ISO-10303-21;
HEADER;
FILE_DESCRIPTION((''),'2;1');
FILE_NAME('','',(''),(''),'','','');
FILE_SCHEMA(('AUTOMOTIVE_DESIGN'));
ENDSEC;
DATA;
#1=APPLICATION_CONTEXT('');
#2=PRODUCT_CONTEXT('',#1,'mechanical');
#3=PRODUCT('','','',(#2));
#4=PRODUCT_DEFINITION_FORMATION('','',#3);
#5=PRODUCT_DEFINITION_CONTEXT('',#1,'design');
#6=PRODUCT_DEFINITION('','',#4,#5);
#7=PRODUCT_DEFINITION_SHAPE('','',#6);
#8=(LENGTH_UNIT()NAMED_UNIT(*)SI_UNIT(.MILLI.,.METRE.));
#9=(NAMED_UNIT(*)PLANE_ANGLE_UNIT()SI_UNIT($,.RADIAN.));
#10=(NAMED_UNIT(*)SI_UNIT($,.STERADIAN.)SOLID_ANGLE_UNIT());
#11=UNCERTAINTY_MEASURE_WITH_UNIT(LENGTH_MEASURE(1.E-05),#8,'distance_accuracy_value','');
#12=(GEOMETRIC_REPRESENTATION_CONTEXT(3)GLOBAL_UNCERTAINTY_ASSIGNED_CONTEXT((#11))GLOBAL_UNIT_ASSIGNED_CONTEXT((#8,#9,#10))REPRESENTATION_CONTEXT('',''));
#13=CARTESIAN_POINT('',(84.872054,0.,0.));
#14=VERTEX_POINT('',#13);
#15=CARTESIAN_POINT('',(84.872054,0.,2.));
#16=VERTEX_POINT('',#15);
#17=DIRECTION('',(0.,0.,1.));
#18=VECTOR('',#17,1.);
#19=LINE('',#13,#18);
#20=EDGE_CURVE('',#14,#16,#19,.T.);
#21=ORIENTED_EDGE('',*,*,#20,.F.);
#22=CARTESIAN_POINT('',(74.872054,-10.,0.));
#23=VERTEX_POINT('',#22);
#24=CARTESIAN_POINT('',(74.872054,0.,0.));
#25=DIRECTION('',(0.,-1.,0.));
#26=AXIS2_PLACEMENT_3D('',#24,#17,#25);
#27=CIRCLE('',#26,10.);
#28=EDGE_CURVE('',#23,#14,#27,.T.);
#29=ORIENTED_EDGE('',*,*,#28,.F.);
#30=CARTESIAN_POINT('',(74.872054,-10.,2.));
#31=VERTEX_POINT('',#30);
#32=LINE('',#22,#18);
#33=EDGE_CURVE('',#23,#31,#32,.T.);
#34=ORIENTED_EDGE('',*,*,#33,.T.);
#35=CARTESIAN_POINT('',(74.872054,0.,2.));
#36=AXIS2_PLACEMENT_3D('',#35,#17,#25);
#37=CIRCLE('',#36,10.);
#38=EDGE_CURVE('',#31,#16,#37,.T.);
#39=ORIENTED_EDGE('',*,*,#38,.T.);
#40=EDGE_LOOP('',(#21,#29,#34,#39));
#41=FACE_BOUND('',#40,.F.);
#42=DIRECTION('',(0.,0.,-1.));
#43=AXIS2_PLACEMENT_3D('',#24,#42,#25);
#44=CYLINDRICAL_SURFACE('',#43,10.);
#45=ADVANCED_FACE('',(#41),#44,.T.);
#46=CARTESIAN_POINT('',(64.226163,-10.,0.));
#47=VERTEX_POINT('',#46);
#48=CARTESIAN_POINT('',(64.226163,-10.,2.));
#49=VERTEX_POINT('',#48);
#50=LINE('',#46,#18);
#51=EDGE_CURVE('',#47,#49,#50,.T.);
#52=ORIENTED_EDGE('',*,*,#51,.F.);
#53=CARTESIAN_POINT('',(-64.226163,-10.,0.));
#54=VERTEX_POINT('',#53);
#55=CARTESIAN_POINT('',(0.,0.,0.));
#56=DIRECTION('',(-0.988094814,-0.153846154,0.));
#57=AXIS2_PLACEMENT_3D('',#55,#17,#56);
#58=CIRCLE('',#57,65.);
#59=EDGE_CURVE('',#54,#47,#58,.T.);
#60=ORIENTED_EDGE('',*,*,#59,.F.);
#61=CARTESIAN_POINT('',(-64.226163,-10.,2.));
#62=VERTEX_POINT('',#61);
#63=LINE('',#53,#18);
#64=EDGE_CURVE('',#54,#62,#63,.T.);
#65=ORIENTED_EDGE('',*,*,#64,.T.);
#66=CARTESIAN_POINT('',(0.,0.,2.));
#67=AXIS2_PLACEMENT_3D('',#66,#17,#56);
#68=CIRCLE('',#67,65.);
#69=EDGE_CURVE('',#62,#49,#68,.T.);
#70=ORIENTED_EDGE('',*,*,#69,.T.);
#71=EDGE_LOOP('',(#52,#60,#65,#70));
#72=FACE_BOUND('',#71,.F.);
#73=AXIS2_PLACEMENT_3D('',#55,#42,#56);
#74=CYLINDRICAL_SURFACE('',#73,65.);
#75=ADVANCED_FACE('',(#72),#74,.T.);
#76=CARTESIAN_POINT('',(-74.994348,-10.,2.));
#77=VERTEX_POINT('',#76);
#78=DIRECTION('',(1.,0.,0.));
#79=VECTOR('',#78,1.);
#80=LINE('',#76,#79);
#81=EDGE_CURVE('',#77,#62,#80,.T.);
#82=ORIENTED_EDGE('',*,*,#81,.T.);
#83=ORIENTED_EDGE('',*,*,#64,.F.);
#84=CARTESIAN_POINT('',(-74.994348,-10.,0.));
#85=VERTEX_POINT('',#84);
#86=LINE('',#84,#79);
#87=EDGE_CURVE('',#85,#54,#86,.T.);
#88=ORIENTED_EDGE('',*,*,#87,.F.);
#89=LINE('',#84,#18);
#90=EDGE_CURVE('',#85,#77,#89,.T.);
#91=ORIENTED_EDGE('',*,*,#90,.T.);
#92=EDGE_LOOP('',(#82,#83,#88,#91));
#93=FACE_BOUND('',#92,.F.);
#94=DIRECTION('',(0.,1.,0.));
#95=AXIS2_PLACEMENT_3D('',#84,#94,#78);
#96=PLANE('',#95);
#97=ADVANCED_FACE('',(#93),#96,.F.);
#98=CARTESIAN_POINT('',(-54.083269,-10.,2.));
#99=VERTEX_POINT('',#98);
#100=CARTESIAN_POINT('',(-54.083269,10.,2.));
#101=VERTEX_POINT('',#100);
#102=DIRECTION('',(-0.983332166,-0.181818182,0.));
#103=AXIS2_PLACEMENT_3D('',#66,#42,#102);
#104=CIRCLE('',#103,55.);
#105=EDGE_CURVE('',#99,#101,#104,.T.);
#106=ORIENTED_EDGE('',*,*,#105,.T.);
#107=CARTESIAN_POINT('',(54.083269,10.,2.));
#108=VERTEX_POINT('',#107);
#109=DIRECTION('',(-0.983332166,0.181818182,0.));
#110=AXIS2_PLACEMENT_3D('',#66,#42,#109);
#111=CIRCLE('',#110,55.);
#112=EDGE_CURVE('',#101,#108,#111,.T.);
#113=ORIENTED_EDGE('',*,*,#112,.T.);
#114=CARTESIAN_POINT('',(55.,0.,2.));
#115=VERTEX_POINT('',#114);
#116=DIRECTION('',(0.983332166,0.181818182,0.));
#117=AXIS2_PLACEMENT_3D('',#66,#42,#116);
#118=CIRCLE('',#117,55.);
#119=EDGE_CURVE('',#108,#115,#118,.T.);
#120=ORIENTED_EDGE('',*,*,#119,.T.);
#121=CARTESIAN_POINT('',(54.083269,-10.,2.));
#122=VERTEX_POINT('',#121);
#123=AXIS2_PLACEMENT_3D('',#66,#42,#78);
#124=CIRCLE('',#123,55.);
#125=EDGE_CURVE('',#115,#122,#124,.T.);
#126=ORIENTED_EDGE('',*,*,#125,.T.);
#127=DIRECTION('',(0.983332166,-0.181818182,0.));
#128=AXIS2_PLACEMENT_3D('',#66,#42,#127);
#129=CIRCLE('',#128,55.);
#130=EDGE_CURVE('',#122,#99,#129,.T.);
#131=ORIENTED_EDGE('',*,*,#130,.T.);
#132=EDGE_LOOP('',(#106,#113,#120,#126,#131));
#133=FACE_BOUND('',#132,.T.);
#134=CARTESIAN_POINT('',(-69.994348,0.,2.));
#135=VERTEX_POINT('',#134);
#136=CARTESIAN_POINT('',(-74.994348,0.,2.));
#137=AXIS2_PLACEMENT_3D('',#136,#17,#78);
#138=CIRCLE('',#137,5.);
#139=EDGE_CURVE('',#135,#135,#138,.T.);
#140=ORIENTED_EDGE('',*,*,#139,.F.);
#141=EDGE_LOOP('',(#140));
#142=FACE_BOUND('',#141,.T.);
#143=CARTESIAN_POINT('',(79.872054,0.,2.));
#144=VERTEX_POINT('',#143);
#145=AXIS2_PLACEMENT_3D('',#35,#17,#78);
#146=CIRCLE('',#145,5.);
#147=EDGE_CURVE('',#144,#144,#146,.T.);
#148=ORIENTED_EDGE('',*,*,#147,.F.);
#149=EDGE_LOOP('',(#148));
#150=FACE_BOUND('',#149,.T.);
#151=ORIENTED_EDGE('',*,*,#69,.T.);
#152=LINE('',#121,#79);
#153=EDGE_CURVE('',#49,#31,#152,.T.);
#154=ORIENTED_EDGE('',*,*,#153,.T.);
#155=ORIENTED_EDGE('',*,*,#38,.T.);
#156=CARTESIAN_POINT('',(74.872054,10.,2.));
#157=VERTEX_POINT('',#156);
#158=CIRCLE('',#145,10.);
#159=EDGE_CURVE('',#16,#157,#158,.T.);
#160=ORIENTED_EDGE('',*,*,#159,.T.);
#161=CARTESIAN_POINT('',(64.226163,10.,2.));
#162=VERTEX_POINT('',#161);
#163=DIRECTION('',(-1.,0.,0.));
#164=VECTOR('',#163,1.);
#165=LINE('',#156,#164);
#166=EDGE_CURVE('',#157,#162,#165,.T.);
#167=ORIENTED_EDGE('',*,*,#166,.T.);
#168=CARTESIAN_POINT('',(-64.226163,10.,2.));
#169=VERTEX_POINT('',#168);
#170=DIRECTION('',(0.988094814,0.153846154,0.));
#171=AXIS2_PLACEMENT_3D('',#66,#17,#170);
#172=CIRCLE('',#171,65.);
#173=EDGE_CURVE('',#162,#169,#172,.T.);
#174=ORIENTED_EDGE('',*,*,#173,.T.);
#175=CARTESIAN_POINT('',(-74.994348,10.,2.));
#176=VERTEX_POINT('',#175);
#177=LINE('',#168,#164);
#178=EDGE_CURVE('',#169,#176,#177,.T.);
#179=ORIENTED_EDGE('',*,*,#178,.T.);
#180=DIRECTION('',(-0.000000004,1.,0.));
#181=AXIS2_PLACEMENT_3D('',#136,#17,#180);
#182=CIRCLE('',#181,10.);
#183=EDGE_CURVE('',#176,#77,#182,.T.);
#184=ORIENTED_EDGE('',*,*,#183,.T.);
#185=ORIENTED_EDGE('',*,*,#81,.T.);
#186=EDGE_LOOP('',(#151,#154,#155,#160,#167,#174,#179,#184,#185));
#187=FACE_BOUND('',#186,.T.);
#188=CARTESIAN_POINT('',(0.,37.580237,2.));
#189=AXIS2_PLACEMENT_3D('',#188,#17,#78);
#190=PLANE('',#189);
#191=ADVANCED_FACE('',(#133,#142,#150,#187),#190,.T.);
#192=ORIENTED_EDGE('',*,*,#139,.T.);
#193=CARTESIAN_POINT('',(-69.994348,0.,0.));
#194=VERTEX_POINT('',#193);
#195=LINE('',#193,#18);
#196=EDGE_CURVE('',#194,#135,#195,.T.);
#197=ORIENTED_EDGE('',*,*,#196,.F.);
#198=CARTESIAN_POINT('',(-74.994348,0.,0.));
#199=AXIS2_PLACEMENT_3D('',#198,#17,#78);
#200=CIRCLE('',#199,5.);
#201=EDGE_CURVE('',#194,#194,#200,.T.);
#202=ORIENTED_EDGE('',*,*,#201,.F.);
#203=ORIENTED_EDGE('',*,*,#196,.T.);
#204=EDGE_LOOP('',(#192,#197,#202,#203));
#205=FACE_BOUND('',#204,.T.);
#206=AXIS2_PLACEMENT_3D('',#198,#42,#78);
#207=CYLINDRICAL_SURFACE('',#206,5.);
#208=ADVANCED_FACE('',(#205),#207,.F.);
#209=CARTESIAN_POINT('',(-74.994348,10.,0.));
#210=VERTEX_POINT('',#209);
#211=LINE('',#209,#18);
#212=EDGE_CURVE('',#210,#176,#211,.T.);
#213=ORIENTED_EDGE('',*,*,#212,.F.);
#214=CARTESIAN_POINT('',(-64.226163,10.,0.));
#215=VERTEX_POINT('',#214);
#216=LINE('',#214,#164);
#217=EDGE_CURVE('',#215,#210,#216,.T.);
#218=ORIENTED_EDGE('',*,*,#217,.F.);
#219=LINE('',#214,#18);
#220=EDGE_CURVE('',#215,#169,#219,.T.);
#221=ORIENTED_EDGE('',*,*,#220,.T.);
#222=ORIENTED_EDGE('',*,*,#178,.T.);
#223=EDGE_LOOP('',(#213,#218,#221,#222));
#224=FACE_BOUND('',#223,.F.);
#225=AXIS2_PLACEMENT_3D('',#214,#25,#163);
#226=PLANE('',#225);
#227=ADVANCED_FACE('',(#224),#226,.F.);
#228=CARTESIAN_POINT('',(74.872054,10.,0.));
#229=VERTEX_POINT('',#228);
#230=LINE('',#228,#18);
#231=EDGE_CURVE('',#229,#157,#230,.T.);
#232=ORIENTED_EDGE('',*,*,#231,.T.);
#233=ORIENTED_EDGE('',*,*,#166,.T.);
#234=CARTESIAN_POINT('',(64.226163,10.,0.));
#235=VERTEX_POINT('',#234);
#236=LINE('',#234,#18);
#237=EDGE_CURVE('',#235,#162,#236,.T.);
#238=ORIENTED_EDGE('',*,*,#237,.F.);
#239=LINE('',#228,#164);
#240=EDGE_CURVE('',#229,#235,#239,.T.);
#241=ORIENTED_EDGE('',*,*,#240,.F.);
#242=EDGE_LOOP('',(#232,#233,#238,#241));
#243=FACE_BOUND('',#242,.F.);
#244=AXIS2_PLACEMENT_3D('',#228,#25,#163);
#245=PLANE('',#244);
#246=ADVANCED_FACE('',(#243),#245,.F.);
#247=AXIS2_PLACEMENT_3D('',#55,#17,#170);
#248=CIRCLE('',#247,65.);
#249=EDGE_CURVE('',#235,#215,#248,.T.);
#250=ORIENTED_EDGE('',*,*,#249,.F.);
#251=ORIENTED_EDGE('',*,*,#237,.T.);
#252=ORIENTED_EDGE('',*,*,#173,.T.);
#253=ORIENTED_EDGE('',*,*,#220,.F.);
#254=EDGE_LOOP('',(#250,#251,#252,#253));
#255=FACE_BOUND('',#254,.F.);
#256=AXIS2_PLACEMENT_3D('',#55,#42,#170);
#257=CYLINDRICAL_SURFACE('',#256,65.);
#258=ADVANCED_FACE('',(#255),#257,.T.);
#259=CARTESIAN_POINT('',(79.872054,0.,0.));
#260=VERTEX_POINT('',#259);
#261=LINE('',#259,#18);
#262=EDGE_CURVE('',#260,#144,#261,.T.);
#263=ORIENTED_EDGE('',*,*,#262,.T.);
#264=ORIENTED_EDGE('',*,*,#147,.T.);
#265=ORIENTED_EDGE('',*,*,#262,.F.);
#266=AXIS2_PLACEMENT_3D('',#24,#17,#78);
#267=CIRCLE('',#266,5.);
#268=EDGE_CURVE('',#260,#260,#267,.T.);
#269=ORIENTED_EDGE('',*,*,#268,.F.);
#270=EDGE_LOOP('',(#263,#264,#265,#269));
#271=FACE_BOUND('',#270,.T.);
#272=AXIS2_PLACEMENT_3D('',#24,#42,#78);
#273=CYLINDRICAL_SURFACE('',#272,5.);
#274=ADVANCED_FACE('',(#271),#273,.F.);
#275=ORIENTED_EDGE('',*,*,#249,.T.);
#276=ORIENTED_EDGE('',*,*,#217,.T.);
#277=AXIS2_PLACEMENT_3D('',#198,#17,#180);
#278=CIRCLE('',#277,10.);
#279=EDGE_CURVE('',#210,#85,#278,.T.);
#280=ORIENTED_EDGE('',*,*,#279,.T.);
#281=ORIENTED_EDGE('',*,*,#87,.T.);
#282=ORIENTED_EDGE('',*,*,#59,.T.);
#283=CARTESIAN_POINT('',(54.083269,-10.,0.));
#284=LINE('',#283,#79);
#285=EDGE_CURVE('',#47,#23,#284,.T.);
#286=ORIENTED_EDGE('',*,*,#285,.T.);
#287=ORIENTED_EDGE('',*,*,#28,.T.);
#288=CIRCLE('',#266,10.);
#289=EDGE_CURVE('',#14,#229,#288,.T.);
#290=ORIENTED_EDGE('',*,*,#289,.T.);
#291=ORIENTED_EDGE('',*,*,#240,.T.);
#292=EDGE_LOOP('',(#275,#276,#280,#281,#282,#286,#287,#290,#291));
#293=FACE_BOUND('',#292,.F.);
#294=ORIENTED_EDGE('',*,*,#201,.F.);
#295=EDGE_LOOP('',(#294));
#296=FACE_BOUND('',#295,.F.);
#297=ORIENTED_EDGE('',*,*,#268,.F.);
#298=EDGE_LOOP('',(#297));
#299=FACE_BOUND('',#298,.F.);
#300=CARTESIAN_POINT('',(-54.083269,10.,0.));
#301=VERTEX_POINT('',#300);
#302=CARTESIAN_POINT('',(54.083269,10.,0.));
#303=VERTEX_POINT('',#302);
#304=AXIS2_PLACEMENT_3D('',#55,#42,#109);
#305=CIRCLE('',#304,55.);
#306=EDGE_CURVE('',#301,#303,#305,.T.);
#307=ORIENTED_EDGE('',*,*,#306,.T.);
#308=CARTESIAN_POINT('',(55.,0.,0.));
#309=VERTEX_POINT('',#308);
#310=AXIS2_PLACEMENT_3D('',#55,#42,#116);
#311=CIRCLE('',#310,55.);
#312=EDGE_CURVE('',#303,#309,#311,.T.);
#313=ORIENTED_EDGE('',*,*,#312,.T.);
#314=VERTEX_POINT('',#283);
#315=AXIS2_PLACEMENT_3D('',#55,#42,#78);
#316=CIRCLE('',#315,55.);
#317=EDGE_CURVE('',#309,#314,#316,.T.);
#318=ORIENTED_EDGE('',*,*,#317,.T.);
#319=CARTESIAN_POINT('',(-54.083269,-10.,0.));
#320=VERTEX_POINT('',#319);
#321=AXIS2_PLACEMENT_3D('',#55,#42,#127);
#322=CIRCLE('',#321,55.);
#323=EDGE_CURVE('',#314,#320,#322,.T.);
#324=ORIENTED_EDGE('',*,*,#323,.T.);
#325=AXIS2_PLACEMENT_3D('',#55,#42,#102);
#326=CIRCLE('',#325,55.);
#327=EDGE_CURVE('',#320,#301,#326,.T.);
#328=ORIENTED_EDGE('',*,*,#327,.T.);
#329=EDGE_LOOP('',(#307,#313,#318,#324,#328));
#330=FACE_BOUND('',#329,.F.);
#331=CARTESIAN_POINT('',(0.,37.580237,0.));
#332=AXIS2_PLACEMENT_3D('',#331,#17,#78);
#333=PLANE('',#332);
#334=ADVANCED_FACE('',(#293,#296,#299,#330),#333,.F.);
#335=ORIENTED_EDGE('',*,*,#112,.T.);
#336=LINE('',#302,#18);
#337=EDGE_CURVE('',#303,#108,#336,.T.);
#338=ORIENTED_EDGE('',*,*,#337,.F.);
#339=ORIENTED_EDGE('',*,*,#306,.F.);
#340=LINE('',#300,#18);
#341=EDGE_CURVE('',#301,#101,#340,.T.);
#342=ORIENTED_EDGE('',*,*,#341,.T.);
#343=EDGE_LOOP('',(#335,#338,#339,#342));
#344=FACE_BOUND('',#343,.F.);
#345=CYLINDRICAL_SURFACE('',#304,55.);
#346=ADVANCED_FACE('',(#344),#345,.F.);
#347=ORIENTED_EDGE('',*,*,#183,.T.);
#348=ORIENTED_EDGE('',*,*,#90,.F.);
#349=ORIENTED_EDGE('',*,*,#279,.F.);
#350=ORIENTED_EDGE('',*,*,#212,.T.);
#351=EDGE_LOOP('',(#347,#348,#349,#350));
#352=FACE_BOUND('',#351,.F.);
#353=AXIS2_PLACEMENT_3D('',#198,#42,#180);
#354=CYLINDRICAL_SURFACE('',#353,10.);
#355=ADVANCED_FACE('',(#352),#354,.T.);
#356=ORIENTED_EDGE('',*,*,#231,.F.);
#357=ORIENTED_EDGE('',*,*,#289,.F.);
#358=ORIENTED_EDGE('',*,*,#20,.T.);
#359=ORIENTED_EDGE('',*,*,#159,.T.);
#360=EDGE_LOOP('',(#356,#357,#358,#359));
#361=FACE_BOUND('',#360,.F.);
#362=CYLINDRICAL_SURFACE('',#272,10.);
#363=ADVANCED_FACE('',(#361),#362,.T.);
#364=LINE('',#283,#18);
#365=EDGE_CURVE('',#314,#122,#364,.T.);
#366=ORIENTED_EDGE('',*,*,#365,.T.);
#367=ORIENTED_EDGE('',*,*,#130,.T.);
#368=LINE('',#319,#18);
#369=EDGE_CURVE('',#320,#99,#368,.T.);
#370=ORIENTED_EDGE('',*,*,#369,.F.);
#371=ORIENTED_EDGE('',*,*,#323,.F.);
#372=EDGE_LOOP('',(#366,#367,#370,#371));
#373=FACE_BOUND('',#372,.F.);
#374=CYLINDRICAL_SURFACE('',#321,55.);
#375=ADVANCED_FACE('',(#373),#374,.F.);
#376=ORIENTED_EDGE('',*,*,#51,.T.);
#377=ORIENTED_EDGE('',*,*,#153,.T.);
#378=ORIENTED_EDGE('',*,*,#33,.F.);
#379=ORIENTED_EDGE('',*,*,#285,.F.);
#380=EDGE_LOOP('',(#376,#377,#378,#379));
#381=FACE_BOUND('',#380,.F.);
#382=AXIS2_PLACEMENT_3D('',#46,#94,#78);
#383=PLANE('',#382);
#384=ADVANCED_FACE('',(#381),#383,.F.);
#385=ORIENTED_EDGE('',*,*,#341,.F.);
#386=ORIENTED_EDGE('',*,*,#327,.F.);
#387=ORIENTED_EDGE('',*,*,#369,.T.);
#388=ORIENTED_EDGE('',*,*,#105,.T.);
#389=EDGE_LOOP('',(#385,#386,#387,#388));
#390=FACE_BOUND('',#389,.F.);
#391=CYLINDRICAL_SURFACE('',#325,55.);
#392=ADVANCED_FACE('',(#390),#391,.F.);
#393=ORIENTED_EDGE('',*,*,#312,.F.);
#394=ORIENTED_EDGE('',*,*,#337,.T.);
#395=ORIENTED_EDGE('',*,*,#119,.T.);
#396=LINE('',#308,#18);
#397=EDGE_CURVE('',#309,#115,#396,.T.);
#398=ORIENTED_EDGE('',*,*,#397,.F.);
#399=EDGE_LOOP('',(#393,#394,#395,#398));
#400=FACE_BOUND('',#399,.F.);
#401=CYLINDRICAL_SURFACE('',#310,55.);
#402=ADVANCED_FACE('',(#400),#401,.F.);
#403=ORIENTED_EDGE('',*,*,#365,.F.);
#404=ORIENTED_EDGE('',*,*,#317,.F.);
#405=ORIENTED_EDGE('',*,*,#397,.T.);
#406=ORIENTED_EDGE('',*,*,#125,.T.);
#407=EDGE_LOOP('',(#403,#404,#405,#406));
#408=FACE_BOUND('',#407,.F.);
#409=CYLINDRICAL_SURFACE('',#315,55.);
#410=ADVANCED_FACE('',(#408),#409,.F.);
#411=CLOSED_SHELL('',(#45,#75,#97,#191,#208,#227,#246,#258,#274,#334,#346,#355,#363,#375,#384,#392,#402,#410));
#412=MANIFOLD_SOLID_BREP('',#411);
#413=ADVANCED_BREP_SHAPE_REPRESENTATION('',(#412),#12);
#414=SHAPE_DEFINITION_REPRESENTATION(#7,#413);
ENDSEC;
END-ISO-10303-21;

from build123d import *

# Parameters (mm, degrees)
F0_R     = 5
F1_DEPTH = 2


with BuildPart() as f1:
    # F0 (on Top) → F1 (new body)
    with BuildSketch(Plane.XY):
        with BuildLine():
            Line((54.083269132, 10), (64.2261628933, 10))
            ThreePointArc((64.2261628933, 10), (0, 65), (-64.2261628933, 10))
            Line((-64.2261628933, 10), (-54.083269132, 10))
            ThreePointArc((-54.083269132, 10), (0, 55), (54.083269132, 10))
        make_face()
        with BuildLine():
            ThreePointArc((64.9830207232, -1.4856034775), (64.8720541596, 0), (64.9830207232, 1.4856034775))
            ThreePointArc((64.9830207232, 1.4856034775), (64.7447064998, 5.7552567496), (64.2261628933, 10))
            Line((64.2261628933, 10), (54.083269132, 10))
            ThreePointArc((54.083269132, 10), (54.7703377854, 5.0209659301), (55, 0))
            ThreePointArc((55, 0), (54.7703377854, -5.0209659301), (54.083269132, -10))
            Line((54.083269132, -10), (64.2261628933, -10))
            ThreePointArc((64.2261628933, -10), (64.7447064998, -5.7552567496), (64.9830207232, -1.4856034775))
        make_face()
        with BuildLine():
            ThreePointArc((64.2261628933, 10), (64.7447064998, 5.7552567496), (64.9830207232, 1.4856034775))
            ThreePointArc((64.9830207232, 1.4856034775), (68.3473332758, 7.5781275647), (74.8720541596, 10))
            Line((74.8720541596, 10), (64.2261628933, 10))
        make_face()
        with BuildLine():
            ThreePointArc((64.9830207232, 1.4856034775), (64.9957550422, 0.7428502521), (65, 0))
            ThreePointArc((65, 0), (64.9957550422, -0.7428502521), (64.9830207232, -1.4856034775))
            ThreePointArc((64.9830207232, -1.4856034775), (68.3473332758, -7.5781275647), (74.8720541596, -10))
            ThreePointArc((74.8720541596, -10), (81.9431219715, -7.0710678119), (84.8720541596, 0))
            ThreePointArc((84.8720541596, 0), (81.9431219715, 7.0710678119), (74.8720541596, 10))
            ThreePointArc((74.8720541596, 10), (68.3473332758, 7.5781275647), (64.9830207232, 1.4856034775))
        make_face()
        with Locations((74.8720541596, 0)):
            Circle(F0_R, mode=Mode.SUBTRACT)
        with BuildLine():
            ThreePointArc((74.8720541596, -10), (68.3473332758, -7.5781275647), (64.9830207232, -1.4856034775))
            ThreePointArc((64.9830207232, -1.4856034775), (64.7447064998, -5.7552567496), (64.2261628933, -10))
            Line((64.2261628933, -10), (74.8720541596, -10))
        make_face()
        with BuildLine():
            ThreePointArc((-64.2261628933, -10), (0, -65), (64.2261628933, -10))
            Line((64.2261628933, -10), (54.083269132, -10))
            ThreePointArc((54.083269132, -10), (0, -55), (-54.083269132, -10))
            Line((-54.083269132, -10), (-64.2261628933, -10))
        make_face()
        with BuildLine():
            ThreePointArc((-64.9992465548, -0.3129653476), (-65, 0), (-64.9992465548, 0.3129653476))
            ThreePointArc((-64.9992465548, 0.3129653476), (-68.0348097105, 7.1808653338), (-74.9943480303, 10))
            ThreePointArc((-74.9943480303, 10), (-84.9943479896, -1.92e-08), (-74.994347992, -10))
            ThreePointArc((-74.994347992, -10), (-68.0348096967, -7.1808653204), (-64.9992465548, -0.3129653476))
        make_face()
        with Locations((-74.9943479896, 0)):
            Circle(F0_R, mode=Mode.SUBTRACT)
        with BuildLine():
            Line((-74.994347992, -10), (-64.2261628933, -10))
            ThreePointArc((-64.2261628933, -10), (-64.7939910165, -5.1709504109), (-64.9992465548, -0.3129653476))
            ThreePointArc((-64.9992465548, -0.3129653476), (-68.0348096967, -7.1808653204), (-74.994347992, -10))
        make_face()
        with BuildLine():
            ThreePointArc((-64.9992465548, 0.3129653476), (-64.7939910165, 5.1709504109), (-64.2261628933, 10))
            Line((-64.2261628933, 10), (-74.9943480303, 10))
            ThreePointArc((-74.9943480303, 10), (-68.0348097105, 7.1808653338), (-64.9992465548, 0.3129653476))
        make_face()
        with BuildLine():
            Line((-54.083269132, 10), (-64.2261628933, 10))
            ThreePointArc((-64.2261628933, 10), (-64.7939910165, 5.1709504109), (-64.9992465548, 0.3129653476))
            ThreePointArc((-64.9992465548, 0.3129653476), (-64.9955727059, 0.1565018408), (-64.9943479896, 0))
            ThreePointArc((-64.9943479896, 0), (-64.9955727059, -0.1565018408), (-64.9992465548, -0.3129653476))
            ThreePointArc((-64.9992465548, -0.3129653476), (-64.7939910165, -5.1709504109), (-64.2261628933, -10))
            Line((-64.2261628933, -10), (-54.083269132, -10))
            ThreePointArc((-54.083269132, -10), (-55, 0), (-54.083269132, 10))
        make_face()
        with BuildLine():
            ThreePointArc((-64.9943479896, 0), (-64.9955727059, 0.1565018408), (-64.9992465548, 0.3129653476))
            ThreePointArc((-64.9992465548, 0.3129653476), (-65, 0), (-64.9992465548, -0.3129653476))
            ThreePointArc((-64.9992465548, -0.3129653476), (-64.9955727059, -0.1565018408), (-64.9943479896, 0))
        make_face()
        with BuildLine():
            ThreePointArc((64.9830207232, -1.4856034775), (64.9957550422, -0.7428502521), (65, 0))
            ThreePointArc((65, 0), (64.9957550422, 0.7428502521), (64.9830207232, 1.4856034775))
            ThreePointArc((64.9830207232, 1.4856034775), (64.8720541596, 0), (64.9830207232, -1.4856034775))
        make_face()
    extrude(amount=F1_DEPTH)


solid = f1.part
